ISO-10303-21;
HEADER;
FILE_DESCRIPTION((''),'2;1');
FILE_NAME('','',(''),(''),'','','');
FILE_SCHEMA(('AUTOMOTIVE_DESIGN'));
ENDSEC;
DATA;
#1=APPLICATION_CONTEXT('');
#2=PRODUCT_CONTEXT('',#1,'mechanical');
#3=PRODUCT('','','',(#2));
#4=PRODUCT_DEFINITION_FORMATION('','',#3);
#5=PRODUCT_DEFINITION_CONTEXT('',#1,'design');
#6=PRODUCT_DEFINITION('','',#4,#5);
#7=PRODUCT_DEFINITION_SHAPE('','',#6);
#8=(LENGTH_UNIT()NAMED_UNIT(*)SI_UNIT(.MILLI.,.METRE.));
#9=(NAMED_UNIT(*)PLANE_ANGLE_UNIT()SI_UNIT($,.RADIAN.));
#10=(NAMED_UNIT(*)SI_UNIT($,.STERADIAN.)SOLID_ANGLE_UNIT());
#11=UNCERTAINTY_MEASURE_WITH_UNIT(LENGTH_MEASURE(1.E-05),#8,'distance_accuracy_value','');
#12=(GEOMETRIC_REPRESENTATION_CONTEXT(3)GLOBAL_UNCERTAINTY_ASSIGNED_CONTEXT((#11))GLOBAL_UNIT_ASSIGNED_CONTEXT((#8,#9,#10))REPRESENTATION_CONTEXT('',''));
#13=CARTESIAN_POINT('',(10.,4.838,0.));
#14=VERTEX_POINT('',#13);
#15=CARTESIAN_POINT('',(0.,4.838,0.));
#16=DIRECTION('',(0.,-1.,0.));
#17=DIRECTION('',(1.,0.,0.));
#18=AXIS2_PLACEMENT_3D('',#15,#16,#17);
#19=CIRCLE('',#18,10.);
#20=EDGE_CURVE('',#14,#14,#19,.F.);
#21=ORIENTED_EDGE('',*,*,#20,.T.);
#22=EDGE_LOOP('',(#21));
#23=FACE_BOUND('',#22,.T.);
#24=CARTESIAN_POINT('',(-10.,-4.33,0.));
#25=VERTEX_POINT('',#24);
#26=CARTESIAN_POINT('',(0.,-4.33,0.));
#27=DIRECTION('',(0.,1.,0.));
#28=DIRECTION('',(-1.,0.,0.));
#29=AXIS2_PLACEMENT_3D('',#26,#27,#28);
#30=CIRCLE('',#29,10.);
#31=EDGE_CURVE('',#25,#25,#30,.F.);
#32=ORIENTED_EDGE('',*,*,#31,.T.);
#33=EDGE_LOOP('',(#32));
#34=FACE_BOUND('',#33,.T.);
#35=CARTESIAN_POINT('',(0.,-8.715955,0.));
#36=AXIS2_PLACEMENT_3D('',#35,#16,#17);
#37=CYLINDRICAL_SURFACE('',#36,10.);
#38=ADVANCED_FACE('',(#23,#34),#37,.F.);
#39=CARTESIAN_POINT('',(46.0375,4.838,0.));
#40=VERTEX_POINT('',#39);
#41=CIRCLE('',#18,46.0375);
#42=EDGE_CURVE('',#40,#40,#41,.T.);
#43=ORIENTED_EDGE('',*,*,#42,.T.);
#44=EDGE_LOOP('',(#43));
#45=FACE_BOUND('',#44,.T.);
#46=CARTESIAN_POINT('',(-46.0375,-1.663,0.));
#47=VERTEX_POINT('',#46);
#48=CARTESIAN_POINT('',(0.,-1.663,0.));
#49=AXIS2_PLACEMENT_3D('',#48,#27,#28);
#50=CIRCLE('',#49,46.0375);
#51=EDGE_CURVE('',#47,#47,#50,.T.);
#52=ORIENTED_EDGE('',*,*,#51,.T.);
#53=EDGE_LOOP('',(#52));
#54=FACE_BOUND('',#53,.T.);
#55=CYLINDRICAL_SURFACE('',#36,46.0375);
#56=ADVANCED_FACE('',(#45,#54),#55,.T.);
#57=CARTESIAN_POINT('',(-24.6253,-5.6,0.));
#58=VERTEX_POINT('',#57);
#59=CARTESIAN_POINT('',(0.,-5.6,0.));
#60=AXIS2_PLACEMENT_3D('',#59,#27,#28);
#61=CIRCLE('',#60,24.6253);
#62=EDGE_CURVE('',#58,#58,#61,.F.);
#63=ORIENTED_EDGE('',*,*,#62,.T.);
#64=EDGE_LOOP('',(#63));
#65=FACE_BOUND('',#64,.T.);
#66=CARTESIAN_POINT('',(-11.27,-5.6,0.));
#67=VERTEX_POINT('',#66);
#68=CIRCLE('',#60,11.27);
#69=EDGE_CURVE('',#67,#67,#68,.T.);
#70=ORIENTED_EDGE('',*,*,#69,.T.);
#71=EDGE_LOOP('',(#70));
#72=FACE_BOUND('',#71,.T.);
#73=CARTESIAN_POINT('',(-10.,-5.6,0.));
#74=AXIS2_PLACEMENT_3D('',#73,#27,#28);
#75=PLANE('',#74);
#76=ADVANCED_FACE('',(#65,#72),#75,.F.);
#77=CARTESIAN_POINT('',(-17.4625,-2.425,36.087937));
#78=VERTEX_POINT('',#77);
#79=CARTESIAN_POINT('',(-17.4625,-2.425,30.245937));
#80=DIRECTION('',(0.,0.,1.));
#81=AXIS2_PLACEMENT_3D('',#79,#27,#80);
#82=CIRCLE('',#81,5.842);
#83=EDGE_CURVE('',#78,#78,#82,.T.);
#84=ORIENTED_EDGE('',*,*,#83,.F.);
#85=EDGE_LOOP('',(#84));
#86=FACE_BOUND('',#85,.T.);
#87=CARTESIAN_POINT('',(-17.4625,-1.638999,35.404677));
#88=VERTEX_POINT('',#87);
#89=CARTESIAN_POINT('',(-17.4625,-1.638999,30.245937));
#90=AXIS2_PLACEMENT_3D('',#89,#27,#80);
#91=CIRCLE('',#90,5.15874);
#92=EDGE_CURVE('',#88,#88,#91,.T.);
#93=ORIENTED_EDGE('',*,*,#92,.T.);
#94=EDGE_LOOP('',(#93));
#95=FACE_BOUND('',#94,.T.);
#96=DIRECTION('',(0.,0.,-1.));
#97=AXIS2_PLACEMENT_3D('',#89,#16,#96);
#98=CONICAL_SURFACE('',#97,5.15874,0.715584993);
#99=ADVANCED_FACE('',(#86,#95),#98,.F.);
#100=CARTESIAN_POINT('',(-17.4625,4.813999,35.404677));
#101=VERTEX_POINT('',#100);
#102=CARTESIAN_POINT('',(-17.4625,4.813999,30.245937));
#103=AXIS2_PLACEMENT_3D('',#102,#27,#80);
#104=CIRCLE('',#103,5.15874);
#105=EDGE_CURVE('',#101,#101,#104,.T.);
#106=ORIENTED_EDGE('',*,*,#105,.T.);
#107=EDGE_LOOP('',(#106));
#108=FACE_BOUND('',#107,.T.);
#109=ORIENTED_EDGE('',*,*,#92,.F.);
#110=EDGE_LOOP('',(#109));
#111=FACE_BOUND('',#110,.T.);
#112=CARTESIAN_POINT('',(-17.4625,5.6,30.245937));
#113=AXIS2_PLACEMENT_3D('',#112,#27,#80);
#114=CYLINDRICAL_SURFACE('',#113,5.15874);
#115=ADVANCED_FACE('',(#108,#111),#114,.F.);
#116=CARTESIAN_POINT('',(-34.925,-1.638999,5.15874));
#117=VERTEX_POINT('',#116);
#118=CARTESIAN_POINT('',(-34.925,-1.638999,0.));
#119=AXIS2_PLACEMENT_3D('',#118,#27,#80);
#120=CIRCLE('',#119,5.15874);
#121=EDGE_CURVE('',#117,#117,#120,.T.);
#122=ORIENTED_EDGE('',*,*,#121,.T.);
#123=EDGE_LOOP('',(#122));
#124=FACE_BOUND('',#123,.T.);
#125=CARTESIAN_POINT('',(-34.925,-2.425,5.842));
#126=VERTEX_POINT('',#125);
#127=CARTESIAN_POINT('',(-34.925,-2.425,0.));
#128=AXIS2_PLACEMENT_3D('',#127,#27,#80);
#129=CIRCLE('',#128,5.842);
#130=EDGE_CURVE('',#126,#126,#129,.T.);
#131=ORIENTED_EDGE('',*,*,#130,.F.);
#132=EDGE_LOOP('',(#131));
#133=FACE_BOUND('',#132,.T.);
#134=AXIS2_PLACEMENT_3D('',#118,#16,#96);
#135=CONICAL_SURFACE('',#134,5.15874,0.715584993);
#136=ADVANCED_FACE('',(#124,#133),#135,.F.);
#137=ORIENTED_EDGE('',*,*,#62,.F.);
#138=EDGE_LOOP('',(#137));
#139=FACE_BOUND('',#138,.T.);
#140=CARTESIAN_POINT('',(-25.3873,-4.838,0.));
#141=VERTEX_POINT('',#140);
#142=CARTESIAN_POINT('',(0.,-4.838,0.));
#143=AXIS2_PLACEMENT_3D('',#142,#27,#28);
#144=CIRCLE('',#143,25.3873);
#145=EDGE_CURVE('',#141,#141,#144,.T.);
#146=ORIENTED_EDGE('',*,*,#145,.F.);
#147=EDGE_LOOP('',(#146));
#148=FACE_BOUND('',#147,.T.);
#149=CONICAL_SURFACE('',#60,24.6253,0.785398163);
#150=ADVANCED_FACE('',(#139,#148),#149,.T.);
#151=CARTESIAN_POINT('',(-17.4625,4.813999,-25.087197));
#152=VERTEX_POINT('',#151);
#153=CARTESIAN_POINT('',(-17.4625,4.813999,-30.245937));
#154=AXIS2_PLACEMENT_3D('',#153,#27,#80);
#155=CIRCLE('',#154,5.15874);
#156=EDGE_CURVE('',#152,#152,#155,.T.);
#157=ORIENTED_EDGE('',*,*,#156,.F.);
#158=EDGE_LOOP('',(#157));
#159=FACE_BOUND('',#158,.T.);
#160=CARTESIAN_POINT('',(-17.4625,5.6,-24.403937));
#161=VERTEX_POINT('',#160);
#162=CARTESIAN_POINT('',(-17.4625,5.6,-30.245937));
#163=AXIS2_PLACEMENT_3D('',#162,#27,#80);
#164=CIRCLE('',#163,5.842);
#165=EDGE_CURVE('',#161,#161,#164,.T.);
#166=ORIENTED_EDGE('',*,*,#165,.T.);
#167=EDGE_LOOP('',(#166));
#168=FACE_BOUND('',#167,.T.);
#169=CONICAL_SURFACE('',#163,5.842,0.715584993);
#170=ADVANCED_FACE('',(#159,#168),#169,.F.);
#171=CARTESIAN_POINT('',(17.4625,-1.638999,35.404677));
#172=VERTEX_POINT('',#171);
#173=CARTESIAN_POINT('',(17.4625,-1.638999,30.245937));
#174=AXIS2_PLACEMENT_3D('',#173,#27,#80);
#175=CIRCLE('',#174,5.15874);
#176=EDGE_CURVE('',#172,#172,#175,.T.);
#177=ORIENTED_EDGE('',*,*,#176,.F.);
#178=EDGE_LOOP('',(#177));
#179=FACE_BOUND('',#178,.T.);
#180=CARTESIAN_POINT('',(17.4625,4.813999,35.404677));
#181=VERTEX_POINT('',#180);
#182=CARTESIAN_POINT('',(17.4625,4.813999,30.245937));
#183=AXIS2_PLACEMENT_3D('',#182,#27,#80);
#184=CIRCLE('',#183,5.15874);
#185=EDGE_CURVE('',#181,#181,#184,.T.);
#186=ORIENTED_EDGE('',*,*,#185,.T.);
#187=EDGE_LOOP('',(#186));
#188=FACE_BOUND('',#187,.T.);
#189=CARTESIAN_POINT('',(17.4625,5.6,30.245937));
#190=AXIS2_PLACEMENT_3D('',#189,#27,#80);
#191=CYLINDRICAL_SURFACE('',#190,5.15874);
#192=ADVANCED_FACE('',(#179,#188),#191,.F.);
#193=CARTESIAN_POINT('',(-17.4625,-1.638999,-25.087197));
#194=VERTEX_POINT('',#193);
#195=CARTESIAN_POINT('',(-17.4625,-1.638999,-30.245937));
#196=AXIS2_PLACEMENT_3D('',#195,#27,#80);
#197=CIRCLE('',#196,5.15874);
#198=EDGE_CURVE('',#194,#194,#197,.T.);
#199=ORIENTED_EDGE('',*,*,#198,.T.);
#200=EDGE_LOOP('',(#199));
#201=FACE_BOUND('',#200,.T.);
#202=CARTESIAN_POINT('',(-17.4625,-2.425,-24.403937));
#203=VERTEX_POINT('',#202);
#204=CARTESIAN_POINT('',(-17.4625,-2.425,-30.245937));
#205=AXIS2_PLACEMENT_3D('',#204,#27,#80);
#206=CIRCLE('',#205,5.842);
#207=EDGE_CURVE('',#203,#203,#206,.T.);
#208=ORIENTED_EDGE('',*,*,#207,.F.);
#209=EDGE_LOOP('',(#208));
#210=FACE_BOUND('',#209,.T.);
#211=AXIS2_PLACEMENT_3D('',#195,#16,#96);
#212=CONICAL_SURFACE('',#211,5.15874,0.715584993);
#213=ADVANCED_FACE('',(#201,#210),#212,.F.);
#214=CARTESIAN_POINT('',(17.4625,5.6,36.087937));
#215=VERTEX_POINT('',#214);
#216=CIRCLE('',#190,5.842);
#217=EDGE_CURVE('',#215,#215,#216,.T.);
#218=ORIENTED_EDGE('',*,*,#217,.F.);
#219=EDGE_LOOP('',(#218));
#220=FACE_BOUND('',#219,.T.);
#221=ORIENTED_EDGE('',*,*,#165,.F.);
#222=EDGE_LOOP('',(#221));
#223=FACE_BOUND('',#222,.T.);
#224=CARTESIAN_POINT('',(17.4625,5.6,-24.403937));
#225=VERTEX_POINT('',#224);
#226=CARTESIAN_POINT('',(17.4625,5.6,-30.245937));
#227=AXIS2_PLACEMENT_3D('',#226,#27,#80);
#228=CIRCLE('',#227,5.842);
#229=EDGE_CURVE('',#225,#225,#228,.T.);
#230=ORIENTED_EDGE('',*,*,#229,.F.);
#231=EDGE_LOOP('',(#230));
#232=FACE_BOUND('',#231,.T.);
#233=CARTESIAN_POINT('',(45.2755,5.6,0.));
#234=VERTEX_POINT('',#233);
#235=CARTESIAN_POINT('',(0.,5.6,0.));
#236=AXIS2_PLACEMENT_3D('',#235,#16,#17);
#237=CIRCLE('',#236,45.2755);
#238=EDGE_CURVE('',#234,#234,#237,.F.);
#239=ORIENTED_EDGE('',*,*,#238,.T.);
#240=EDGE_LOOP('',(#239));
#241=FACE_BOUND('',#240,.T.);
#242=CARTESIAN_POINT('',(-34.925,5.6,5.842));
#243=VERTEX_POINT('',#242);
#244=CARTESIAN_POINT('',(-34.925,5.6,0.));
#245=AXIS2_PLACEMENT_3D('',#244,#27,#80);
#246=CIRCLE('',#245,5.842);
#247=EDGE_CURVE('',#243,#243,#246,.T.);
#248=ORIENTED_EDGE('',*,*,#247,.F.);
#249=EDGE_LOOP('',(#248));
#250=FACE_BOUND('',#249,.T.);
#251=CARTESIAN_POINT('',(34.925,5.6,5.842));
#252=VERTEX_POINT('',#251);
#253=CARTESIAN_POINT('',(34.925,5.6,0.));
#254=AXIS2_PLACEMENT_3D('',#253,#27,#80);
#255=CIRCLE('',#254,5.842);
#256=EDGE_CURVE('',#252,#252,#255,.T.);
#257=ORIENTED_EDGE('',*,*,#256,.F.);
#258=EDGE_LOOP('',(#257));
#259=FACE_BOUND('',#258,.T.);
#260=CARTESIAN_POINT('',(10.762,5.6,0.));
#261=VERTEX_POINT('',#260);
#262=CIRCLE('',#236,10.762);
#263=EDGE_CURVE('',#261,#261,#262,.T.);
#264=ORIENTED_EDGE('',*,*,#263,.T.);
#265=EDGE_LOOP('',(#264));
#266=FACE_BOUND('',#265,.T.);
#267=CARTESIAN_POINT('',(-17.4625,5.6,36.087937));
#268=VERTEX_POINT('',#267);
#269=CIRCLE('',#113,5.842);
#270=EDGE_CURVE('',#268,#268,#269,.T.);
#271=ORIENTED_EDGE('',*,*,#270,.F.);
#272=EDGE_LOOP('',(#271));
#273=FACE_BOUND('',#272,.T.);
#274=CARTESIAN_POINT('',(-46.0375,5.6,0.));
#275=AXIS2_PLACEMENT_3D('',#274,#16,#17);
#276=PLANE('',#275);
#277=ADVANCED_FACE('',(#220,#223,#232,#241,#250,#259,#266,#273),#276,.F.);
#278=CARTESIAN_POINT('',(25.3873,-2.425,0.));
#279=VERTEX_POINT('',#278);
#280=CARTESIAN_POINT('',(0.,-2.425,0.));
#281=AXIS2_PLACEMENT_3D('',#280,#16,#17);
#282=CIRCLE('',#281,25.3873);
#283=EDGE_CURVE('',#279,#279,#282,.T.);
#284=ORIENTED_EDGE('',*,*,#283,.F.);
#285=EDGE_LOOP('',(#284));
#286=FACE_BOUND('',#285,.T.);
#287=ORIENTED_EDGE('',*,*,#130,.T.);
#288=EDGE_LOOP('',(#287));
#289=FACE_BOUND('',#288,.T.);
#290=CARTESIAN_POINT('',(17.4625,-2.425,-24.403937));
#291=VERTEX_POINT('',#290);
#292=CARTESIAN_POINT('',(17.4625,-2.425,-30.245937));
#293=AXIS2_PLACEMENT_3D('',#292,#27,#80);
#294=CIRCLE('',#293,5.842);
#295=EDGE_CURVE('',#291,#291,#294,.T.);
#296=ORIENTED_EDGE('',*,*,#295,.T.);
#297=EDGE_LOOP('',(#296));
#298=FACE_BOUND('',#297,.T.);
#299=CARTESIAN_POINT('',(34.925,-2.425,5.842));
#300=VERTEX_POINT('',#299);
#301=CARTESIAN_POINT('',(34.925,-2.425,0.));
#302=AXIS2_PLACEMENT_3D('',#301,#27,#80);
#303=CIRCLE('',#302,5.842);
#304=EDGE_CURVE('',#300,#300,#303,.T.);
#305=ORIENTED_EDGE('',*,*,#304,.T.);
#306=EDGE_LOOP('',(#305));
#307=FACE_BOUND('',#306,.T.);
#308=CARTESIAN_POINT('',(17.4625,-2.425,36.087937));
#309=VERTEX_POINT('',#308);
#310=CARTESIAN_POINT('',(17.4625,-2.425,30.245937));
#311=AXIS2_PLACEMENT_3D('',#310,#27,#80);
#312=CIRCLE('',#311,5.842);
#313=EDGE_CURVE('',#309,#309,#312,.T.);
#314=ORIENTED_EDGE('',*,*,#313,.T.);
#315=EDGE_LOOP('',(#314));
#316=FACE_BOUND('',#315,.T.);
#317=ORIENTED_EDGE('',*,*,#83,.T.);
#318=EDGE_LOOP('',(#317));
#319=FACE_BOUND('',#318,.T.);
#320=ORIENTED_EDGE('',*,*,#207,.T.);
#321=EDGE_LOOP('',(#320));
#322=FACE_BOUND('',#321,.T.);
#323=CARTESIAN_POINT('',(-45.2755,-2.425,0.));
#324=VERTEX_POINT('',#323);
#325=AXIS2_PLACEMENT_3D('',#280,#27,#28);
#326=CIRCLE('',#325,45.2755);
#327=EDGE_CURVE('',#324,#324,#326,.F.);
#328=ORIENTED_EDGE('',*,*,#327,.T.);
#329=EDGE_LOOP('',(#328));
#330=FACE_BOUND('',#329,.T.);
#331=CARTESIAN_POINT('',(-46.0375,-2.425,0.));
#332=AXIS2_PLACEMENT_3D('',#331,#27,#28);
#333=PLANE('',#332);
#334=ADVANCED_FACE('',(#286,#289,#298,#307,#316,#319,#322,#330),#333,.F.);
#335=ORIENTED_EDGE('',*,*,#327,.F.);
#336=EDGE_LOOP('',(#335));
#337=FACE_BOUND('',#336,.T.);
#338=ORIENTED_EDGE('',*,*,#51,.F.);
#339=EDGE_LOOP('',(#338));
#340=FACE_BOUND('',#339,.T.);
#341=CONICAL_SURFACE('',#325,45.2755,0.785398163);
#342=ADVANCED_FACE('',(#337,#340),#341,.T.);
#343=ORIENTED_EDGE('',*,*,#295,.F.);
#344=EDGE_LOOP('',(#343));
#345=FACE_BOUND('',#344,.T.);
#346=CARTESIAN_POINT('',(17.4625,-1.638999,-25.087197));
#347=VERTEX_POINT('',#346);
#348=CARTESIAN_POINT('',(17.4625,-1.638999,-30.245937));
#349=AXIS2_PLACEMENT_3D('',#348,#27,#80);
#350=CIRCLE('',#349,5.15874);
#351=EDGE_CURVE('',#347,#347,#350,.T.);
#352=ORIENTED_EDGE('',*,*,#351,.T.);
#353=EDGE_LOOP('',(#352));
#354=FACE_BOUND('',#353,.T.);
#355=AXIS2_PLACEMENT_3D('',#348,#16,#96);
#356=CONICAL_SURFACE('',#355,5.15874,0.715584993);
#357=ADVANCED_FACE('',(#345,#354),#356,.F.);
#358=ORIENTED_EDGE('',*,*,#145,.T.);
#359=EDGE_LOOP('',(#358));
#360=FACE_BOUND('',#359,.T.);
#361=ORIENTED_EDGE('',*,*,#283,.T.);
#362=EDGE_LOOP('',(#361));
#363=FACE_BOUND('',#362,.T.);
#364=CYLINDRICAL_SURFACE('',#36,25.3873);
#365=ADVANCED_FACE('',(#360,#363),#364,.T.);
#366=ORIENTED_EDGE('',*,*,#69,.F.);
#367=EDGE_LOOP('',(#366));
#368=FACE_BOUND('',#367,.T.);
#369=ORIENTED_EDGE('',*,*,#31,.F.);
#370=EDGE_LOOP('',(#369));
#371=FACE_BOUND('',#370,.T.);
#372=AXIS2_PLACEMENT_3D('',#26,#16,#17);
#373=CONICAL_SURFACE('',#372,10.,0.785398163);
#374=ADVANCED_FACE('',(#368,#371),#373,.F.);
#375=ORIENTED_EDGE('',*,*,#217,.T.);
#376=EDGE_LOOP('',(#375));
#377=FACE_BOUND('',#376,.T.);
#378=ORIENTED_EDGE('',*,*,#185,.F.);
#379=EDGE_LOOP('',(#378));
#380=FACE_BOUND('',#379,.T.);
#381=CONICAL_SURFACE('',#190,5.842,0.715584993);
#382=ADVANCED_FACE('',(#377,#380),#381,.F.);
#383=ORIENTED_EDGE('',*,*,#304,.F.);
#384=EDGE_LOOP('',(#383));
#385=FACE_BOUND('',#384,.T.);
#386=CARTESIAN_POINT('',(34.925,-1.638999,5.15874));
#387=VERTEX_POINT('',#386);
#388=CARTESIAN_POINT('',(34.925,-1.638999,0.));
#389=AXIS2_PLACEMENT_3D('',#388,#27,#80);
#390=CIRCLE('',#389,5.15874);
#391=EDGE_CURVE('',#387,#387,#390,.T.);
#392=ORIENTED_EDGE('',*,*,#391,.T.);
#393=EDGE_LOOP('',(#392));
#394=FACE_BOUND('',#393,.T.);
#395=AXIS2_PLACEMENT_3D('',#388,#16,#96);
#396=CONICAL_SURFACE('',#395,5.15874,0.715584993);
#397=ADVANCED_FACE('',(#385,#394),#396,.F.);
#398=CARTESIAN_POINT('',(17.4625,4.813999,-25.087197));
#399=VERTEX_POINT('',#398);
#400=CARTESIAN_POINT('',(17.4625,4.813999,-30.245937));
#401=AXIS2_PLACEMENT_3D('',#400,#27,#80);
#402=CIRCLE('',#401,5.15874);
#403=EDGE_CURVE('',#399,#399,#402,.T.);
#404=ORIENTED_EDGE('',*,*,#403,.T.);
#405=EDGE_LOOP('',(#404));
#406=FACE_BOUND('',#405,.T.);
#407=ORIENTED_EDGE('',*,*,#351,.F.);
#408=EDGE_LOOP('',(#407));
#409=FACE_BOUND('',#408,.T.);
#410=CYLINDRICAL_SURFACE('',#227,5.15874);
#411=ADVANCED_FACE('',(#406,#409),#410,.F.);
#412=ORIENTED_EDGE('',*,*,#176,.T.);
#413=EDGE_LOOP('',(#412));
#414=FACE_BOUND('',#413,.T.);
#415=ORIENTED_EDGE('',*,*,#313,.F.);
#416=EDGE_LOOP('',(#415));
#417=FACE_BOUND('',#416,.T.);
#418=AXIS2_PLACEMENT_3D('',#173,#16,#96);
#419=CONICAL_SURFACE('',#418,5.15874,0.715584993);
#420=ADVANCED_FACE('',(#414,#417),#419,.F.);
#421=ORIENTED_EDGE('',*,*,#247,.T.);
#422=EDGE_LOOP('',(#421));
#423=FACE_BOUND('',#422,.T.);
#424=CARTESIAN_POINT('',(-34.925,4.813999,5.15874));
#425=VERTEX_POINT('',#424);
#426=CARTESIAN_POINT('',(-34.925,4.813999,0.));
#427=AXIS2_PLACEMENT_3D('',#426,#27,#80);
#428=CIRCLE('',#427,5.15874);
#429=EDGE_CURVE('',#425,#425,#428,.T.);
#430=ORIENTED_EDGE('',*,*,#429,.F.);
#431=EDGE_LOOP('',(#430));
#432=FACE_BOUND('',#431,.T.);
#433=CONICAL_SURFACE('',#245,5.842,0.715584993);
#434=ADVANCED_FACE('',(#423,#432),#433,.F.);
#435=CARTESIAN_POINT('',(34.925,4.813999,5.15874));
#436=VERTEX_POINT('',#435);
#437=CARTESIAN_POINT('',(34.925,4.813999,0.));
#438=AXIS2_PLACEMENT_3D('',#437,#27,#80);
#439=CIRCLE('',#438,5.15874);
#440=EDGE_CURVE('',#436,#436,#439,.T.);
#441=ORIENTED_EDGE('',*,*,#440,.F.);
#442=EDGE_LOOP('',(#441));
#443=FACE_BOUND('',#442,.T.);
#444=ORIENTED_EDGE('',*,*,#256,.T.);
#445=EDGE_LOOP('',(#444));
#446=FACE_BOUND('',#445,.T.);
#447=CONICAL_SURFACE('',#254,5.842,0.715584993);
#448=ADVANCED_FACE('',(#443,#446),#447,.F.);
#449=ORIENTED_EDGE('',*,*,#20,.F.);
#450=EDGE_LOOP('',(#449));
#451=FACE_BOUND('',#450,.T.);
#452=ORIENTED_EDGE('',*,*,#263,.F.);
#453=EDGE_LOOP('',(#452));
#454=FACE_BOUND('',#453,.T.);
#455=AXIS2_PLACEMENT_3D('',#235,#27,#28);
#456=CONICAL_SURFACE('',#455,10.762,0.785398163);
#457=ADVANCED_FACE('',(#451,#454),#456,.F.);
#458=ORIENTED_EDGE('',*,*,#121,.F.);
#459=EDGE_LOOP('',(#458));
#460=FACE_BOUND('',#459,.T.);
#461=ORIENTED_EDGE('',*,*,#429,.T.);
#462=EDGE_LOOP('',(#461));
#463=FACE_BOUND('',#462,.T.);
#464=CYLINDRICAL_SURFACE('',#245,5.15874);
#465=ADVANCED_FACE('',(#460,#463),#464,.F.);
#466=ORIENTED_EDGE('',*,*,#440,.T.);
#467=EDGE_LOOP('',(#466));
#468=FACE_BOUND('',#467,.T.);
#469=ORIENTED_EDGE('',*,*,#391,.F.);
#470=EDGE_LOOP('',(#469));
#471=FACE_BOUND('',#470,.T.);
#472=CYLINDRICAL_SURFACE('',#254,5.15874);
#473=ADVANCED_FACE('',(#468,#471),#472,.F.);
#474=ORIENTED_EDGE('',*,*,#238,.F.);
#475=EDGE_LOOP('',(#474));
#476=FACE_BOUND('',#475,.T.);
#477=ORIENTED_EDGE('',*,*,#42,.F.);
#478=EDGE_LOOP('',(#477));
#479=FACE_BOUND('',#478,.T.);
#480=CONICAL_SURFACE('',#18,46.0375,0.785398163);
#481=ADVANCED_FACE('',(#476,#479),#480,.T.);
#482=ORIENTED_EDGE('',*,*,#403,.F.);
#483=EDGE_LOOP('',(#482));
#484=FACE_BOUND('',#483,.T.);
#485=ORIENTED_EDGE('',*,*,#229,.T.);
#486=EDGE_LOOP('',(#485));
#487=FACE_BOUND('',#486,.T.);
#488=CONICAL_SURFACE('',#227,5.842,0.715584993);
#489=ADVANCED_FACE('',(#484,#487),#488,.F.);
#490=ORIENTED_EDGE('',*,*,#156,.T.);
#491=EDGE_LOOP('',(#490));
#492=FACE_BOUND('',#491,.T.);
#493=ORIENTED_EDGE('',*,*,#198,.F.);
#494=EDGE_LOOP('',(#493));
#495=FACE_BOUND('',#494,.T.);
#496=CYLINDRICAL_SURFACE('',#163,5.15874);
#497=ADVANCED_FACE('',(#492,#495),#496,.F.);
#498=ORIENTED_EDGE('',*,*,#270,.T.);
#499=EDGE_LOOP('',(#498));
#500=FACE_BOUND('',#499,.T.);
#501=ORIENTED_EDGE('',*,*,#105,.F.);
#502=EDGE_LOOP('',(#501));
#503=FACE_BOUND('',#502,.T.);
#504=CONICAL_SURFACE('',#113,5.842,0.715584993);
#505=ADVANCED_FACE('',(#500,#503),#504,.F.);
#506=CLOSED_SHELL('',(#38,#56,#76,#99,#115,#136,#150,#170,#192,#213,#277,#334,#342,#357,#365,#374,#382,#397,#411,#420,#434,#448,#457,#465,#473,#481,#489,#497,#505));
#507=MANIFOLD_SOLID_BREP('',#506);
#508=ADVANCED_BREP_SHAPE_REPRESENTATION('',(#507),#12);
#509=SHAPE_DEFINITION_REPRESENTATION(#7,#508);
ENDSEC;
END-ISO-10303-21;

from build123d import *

# Parameters (mm, degrees)
CIRPATTERN1_COUNT = 6
CHAMFER2_SIZE     = 1.27
CHAMFER3_SIZE     = 0.762


with BuildPart() as part:
    # Sketch1 → Revolve1 (revolve)
    with BuildSketch(Plane.XY, mode=Mode.PRIVATE) as revolve1_sk:
        Polygon((-46.0375, -2.425), (-25.3873, -2.425), (-25.3873, -5.6), (-10, -5.6), (-10, 5.6), (-46.0375, 5.6), align=None)
    revolve(revolve1_sk.sketch.rotate(Axis((0, -8.7159552, 0), (0, 1, 0)), 180), axis=Axis((0, -8.7159552, 0), (0, 1, 0)))  # turned: the seam where the file's is

    # Sketch2 → 3_8 Clearance Hole1 (revolve, cut)
    with BuildSketch(Plane(origin=(34.925, 5.6, 0), x_dir=(0, 0, 1), z_dir=(1, 0, 0))):
        Polygon((0, 0), (0, 8.025), (5.842, 8.025), (5.15874, 7.238999282), (5.15874, 0.786000718), (5.842, 0), align=None)
    f_3_8_clearance_hole1 = revolve(axis=Axis((34.925, 11.95, 0), (0, -1, 0)), mode=Mode.SUBTRACT)

    # CirPattern1: 3_8 Clearance Hole1 ×6 about axis
    cirpattern1_axis = Axis((0, 0, 0), (0, 1, 0))
    for i in range(1, CIRPATTERN1_COUNT):
        add(f_3_8_clearance_hole1.rotate(cirpattern1_axis, i * 360 / CIRPATTERN1_COUNT), mode=Mode.SUBTRACT)

    # Chamfer2
    chamfer2_edges = [part.edges().sort_by_distance(p)[0] for p in [
        (-10, -5.6, 0),
    ]]
    chamfer(chamfer2_edges, length=CHAMFER2_SIZE)

    # Chamfer3
    chamfer3_edges = [part.edges().sort_by_distance(p)[0] for p in [
        (-25.3873, -5.6, 0),
        (-46.0375, -2.425, 0),
        (-46.0375, 5.6, 0),
        (-10, 5.6, 0),
    ]]
    chamfer(chamfer3_edges, length=CHAMFER3_SIZE)


solid = part.part
